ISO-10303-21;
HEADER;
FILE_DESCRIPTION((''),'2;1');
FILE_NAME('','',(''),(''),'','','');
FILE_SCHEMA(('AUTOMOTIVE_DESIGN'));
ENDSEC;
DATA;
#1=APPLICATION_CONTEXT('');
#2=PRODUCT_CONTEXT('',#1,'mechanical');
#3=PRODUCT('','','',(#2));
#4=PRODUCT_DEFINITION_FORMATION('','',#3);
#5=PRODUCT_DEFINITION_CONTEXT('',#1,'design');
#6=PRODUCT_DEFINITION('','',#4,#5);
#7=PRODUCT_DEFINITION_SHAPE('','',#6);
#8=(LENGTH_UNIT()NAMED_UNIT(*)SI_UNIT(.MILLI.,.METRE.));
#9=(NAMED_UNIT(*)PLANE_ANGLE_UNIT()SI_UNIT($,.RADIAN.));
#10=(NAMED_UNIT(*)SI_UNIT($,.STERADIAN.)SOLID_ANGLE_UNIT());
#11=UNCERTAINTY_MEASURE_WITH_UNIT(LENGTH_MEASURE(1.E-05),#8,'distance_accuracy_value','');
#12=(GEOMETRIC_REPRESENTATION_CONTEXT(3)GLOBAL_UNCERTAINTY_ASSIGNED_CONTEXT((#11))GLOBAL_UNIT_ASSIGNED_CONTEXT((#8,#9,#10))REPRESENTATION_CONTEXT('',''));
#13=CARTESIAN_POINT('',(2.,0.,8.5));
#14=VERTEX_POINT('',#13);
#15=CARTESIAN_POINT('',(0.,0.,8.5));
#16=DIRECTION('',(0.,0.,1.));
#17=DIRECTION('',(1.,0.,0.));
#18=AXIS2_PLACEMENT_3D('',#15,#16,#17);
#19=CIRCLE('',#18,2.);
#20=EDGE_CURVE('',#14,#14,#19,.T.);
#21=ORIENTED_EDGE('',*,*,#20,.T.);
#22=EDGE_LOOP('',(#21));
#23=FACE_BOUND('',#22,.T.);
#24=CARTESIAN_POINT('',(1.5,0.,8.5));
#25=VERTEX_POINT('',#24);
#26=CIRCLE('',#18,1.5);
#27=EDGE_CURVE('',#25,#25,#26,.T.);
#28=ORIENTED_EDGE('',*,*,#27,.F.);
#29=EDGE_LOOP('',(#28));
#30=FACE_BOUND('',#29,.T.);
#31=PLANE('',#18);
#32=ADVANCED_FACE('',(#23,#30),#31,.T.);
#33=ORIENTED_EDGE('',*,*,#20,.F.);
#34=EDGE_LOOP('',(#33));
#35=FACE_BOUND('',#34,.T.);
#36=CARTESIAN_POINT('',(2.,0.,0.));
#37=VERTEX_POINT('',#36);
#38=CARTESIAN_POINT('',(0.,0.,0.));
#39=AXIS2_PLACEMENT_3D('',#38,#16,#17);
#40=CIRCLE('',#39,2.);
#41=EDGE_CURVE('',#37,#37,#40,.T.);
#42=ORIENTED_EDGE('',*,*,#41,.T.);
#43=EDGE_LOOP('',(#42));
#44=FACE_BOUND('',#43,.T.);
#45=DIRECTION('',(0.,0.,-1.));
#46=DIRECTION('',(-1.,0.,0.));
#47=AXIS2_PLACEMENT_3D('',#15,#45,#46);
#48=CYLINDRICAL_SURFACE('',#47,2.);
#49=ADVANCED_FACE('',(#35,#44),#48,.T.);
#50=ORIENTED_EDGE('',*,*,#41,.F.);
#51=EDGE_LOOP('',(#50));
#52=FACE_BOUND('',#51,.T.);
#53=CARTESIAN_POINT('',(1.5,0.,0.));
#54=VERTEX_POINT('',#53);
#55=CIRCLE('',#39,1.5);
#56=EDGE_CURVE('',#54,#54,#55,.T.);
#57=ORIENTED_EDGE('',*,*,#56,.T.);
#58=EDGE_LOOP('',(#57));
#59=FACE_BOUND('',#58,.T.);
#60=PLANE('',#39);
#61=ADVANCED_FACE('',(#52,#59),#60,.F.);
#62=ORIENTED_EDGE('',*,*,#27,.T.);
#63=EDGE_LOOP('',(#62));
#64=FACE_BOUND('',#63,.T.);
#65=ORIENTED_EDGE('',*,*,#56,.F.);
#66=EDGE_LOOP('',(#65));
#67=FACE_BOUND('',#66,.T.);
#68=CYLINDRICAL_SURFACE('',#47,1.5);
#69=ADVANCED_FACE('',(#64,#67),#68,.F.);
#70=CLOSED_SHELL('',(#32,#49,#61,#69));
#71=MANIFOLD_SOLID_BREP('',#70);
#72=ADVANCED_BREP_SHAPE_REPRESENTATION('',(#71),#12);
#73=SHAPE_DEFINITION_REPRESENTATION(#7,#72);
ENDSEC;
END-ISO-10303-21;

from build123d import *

# Parameters (mm, degrees)
SKETCH_1_R      = 2
SKETCH_1_R_2    = 1.5
EXTRUDE_1_DEPTH = 8.5


with BuildPart() as part:
    # ｽｹｯﾁ1 → ﾎﾞｽ - 押し出し1 (new body)
    with BuildSketch(Plane.XY):
        Circle(SKETCH_1_R)
        Circle(SKETCH_1_R_2, mode=Mode.SUBTRACT)
    extrude(amount=EXTRUDE_1_DEPTH)


solid = part.part
